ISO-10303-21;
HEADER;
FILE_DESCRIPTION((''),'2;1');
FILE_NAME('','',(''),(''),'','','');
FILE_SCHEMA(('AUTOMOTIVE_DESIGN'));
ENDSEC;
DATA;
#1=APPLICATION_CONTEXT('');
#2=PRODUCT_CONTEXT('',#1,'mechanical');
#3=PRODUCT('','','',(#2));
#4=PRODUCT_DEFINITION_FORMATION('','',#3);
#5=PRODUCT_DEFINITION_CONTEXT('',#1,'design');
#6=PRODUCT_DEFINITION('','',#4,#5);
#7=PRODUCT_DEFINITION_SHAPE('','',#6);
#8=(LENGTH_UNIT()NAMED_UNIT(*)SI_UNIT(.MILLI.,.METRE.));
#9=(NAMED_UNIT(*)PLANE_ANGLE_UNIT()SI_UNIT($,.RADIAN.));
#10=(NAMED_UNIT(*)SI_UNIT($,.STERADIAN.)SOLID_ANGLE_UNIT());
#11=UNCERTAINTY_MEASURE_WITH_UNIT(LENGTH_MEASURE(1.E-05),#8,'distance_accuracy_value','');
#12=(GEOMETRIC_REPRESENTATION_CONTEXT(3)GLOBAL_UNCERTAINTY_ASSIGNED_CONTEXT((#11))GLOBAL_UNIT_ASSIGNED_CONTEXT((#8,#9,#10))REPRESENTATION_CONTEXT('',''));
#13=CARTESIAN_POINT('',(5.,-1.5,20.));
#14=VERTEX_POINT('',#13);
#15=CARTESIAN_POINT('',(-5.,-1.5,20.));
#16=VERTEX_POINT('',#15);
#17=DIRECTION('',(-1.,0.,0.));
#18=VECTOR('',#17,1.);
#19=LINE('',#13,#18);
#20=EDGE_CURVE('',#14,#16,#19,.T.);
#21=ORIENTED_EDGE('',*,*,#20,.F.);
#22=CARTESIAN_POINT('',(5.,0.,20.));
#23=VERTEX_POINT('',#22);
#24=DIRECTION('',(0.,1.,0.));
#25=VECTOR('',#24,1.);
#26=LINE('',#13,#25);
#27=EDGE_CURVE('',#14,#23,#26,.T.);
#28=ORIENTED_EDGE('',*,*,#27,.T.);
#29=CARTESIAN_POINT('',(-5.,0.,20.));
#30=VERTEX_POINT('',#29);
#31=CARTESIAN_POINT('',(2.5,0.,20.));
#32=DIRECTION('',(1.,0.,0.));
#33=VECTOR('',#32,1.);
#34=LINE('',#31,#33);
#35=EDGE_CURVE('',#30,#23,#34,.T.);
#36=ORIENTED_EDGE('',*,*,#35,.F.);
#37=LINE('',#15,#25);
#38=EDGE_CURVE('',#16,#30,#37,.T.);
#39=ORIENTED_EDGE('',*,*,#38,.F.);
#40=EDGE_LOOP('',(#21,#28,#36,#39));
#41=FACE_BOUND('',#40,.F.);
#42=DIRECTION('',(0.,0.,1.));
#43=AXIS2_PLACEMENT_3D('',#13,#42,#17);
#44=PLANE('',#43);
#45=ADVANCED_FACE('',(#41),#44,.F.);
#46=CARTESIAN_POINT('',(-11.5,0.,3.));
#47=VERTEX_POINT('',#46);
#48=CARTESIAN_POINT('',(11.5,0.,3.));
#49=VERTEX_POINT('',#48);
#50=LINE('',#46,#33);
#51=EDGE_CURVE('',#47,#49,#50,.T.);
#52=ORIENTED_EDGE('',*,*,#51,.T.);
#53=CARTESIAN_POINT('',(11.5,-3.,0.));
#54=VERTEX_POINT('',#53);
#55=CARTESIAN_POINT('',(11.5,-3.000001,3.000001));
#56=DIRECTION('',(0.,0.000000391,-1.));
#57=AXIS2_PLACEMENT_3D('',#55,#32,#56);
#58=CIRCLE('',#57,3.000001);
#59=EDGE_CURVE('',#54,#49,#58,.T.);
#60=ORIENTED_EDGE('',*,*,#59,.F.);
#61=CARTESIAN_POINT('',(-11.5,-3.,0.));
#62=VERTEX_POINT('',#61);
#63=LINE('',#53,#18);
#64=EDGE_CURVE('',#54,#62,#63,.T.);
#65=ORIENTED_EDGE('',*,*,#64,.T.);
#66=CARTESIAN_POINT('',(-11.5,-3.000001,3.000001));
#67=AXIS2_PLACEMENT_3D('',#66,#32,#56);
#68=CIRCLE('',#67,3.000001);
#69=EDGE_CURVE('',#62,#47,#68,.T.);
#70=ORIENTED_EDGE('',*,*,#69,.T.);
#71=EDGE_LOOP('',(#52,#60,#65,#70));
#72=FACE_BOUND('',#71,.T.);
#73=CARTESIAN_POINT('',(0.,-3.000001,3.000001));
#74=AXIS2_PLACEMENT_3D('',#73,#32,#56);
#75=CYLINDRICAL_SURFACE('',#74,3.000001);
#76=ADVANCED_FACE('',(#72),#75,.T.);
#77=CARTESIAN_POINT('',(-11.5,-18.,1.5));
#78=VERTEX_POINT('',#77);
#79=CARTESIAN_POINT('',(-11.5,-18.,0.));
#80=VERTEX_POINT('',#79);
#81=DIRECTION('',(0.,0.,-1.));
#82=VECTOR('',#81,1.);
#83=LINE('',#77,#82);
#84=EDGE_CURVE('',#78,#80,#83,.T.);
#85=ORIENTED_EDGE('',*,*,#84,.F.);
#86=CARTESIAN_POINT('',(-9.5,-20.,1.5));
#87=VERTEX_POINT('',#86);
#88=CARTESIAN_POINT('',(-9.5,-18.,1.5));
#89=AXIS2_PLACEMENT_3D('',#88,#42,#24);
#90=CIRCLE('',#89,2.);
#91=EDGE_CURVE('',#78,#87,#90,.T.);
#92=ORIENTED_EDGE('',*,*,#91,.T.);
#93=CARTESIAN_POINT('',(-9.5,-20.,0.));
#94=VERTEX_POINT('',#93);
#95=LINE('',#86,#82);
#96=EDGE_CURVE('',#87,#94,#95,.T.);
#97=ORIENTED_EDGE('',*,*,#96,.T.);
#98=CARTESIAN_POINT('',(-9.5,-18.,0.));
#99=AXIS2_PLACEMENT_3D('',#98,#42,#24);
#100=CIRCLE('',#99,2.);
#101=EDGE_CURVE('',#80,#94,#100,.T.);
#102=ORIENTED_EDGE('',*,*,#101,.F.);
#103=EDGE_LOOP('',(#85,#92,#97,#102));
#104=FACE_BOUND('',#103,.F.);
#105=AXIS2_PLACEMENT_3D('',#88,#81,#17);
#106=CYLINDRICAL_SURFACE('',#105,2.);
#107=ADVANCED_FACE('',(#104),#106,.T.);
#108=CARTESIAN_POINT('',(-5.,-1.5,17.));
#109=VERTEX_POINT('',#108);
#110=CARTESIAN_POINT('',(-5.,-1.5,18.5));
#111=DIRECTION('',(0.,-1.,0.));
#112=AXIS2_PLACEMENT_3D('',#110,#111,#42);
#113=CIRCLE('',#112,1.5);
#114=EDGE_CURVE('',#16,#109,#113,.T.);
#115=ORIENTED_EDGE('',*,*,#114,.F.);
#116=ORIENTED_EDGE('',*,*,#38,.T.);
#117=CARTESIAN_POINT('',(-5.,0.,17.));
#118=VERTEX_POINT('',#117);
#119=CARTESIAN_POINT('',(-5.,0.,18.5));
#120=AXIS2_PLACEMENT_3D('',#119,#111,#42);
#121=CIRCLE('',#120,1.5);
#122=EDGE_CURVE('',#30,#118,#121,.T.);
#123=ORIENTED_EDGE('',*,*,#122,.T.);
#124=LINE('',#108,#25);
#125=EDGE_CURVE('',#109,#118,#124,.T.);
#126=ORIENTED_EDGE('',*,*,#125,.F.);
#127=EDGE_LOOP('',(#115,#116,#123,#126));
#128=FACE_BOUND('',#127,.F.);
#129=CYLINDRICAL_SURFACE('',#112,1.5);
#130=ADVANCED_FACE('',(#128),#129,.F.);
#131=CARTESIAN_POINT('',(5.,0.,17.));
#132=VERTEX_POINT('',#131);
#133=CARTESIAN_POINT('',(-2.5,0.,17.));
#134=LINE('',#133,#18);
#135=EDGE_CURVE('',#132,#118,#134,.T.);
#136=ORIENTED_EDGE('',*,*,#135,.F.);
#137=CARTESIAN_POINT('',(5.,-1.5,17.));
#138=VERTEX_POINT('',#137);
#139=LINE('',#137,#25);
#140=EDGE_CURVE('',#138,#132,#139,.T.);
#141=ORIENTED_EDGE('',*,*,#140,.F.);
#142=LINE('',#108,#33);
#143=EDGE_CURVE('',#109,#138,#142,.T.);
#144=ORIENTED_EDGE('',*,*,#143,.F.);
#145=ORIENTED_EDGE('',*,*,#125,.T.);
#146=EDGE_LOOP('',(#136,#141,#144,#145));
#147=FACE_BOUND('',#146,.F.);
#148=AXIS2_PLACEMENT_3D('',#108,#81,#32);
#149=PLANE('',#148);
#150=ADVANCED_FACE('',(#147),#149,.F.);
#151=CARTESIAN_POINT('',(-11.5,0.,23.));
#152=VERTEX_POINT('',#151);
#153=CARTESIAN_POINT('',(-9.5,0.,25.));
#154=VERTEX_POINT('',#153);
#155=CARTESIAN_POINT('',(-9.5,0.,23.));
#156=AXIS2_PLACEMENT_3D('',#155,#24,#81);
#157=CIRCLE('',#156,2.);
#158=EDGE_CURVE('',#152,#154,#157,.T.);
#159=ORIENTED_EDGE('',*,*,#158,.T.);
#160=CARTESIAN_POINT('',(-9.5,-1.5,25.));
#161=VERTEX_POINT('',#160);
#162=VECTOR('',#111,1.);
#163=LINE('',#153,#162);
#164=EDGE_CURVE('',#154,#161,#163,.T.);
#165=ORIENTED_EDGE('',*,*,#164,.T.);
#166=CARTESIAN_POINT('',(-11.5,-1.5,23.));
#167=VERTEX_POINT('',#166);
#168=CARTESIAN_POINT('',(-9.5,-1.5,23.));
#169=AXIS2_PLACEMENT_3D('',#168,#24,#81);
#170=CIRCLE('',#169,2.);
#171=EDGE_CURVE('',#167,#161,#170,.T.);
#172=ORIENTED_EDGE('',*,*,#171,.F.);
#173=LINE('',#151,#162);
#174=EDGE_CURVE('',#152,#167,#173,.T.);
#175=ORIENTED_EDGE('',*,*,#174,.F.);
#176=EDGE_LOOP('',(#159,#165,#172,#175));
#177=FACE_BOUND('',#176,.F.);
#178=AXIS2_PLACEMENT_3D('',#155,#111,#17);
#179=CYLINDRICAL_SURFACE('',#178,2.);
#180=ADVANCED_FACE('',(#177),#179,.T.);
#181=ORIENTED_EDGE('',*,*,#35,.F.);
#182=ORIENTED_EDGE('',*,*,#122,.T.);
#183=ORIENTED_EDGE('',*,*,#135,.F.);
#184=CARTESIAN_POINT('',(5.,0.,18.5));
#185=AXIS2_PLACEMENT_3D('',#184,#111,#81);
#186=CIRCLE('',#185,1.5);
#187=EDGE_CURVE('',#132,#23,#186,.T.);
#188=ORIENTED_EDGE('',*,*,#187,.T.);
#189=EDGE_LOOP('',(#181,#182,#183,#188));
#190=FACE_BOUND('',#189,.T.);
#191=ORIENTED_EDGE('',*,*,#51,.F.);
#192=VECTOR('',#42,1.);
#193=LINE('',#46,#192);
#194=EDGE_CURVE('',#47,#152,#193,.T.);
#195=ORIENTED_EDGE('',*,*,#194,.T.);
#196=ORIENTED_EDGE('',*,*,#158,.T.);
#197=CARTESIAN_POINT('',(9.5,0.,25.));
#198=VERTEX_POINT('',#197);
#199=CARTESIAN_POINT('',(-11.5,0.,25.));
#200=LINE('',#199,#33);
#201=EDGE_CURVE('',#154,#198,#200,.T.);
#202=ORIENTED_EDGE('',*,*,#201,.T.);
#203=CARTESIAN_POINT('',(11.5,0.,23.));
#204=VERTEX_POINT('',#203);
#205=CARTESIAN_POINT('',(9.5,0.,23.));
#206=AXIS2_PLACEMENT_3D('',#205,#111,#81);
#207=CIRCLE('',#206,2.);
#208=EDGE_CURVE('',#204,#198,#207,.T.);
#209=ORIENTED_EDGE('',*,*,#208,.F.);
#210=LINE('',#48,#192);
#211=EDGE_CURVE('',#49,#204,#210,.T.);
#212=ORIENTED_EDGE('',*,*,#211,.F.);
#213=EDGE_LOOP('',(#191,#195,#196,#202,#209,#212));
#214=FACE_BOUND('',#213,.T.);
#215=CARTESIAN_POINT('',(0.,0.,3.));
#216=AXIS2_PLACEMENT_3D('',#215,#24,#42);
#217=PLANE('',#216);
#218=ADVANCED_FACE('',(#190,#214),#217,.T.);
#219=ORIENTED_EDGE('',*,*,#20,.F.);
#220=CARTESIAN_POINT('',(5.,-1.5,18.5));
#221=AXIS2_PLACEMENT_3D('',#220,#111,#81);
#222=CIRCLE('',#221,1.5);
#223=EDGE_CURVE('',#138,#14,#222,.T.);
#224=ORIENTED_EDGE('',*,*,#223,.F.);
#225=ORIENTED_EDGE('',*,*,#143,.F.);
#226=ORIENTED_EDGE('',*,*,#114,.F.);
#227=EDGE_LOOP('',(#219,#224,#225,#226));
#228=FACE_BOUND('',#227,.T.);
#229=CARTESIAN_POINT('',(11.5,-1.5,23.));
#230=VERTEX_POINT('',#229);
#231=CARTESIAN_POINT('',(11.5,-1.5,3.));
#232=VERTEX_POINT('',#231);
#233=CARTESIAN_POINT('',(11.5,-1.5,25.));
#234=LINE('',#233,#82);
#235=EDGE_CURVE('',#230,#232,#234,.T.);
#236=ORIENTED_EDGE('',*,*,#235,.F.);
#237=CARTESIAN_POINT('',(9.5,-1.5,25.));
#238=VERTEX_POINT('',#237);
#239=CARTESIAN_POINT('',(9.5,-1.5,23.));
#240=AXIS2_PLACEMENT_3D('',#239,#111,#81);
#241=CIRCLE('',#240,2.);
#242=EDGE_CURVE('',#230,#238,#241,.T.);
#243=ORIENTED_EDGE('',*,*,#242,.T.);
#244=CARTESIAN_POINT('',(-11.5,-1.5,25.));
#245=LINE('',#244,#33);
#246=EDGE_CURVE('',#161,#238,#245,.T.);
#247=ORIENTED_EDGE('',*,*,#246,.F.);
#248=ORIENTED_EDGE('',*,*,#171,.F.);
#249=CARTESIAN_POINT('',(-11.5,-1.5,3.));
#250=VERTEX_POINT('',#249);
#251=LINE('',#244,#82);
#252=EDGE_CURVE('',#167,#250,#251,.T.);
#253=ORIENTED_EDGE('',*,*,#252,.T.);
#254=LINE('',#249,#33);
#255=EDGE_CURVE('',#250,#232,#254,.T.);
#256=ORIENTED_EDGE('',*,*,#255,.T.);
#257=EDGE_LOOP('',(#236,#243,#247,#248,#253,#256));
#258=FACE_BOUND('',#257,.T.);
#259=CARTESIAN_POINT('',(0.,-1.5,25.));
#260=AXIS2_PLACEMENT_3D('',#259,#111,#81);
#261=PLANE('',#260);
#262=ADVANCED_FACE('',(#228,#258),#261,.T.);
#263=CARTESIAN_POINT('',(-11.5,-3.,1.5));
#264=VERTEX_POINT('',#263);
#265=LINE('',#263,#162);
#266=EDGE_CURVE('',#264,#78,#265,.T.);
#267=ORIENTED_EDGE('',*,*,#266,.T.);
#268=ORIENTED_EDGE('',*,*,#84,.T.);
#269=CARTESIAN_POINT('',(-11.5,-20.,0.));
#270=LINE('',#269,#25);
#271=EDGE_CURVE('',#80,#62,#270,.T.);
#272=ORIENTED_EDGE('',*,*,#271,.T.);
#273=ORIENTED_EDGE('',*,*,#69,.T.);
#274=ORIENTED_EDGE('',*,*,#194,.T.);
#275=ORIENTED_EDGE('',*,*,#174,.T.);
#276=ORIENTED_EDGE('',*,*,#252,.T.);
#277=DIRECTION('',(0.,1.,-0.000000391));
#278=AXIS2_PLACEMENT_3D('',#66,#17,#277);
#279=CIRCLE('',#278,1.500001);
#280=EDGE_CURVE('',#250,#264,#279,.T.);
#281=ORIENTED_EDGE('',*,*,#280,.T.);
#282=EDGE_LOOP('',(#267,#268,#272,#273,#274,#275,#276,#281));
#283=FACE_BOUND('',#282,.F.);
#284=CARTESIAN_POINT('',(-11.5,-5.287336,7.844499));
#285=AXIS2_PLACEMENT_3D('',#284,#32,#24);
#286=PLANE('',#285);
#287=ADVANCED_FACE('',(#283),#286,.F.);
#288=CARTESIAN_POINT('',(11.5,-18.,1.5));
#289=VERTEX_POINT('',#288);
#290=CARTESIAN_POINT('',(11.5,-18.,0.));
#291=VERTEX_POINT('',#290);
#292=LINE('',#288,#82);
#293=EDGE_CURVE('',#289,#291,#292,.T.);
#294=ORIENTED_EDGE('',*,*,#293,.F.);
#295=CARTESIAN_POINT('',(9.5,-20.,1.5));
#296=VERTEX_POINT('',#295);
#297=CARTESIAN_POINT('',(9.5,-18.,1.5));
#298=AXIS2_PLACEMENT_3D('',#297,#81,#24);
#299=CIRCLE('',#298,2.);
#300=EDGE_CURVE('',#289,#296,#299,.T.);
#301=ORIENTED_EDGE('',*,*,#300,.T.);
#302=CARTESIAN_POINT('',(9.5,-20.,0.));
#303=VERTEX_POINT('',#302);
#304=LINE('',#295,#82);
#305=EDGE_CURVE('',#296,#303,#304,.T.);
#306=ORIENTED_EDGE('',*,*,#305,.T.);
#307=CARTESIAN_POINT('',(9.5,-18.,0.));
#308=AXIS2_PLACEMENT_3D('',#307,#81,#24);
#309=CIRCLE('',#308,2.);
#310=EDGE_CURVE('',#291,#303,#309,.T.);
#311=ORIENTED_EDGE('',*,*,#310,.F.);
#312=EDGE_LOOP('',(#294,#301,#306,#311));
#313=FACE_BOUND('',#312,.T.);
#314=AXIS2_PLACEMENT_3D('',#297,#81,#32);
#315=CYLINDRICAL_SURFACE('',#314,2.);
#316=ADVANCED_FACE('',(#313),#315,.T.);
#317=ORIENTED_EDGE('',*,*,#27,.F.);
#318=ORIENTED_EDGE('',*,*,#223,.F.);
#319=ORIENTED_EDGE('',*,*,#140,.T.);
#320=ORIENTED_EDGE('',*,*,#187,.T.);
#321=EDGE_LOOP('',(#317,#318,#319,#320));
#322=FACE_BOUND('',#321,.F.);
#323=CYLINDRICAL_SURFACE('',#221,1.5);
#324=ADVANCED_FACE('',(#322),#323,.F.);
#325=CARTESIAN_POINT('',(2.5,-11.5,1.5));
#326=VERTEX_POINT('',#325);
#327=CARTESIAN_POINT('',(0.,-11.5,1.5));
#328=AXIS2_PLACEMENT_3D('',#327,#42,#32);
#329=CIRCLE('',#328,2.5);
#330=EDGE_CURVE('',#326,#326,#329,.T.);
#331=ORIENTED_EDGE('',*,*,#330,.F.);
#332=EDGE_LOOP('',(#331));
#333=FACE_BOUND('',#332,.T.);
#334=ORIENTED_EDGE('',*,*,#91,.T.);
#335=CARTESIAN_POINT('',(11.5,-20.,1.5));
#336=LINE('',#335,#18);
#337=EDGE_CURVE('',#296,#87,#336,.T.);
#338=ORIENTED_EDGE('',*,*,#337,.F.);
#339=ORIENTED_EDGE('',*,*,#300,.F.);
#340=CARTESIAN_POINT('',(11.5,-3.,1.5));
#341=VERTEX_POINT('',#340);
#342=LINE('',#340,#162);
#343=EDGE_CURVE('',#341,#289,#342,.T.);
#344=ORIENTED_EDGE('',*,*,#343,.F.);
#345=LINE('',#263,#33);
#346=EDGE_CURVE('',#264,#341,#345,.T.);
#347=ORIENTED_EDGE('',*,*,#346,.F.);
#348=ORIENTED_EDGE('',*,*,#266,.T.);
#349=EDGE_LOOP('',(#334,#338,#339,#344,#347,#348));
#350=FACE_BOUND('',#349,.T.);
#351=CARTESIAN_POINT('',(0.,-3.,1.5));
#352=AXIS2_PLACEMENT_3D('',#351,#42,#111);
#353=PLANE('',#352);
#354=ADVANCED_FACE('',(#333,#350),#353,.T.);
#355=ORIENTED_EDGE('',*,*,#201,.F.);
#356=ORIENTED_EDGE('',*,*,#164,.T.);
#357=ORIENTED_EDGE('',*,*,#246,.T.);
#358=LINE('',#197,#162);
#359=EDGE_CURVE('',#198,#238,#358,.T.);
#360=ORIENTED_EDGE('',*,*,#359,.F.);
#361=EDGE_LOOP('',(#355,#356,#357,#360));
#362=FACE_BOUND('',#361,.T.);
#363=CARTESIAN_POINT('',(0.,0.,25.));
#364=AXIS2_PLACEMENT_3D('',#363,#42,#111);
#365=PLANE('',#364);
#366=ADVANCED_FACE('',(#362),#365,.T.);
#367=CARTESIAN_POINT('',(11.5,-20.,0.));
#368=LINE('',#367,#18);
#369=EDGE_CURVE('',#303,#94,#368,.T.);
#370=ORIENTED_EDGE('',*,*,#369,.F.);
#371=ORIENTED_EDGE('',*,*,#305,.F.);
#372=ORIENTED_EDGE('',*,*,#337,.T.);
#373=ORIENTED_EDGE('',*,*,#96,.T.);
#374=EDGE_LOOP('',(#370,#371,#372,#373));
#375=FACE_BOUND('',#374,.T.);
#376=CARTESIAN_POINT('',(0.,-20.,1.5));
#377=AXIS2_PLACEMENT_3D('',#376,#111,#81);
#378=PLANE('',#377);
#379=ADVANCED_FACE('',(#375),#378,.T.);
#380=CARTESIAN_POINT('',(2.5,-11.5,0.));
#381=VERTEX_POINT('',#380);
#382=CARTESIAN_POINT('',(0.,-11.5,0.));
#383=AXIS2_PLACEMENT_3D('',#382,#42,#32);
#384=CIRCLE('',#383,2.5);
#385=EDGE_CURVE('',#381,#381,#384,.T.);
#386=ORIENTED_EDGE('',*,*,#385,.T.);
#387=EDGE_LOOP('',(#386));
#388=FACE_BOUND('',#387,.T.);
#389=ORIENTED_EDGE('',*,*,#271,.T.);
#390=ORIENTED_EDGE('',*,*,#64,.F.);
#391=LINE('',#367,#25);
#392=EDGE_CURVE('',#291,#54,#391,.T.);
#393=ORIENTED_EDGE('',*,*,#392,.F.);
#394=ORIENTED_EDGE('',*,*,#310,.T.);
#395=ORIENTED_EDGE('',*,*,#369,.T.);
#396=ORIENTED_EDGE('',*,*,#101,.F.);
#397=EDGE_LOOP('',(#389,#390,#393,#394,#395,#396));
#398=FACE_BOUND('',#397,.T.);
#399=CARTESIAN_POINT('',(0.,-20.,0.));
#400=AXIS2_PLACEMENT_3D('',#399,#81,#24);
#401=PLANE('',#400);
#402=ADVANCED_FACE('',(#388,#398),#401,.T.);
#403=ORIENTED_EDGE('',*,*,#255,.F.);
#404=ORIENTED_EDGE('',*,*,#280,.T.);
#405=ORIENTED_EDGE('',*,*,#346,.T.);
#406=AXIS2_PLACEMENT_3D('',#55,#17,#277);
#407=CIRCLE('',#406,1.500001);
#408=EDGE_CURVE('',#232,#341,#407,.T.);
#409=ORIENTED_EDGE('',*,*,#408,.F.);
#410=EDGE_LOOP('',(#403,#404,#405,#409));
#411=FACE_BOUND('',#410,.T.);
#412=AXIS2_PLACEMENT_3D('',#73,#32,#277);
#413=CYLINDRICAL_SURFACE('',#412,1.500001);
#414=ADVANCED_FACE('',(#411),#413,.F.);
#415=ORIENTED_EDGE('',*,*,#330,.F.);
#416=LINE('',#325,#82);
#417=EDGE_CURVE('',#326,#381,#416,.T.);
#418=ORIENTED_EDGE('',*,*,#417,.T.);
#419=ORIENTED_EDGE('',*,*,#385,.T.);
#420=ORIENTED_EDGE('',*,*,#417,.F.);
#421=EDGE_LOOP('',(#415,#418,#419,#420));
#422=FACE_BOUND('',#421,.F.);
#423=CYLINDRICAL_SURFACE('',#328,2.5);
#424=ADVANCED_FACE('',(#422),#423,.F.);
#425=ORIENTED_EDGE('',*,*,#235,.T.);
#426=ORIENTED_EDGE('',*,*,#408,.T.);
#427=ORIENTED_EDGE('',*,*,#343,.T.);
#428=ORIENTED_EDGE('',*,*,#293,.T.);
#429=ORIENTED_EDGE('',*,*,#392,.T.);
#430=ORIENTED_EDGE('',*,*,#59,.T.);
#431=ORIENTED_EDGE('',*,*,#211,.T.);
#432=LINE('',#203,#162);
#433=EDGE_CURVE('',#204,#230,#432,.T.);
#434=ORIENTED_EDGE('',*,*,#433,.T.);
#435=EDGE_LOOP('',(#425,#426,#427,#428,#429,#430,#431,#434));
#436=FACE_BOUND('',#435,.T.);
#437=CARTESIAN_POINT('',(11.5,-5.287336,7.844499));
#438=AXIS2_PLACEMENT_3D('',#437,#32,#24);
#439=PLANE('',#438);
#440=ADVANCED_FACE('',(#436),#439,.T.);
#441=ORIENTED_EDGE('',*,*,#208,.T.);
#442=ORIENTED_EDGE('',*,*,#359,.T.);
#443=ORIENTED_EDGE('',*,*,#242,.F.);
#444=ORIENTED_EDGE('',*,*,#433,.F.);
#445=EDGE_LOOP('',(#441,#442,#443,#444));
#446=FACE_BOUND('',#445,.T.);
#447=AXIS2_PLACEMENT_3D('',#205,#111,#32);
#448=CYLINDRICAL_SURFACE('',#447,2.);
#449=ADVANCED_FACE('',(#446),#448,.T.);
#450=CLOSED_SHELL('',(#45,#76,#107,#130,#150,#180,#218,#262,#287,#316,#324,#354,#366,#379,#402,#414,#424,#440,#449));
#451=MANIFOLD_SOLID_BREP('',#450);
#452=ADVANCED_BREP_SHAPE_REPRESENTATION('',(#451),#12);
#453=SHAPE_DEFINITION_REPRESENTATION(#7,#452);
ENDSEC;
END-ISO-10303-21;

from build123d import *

# Parameters (mm, degrees)
F1_DEPTH = 11.5
F2_R     = 2.5
F3_DEPTH = 25
F5_DEPTH = 25
F6_R     = 2


with BuildPart() as f1:
    # F0 (on Right) → F1 (new body, symmetric)
    with BuildSketch(Plane.YZ):
        with BuildLine():
            ThreePointArc((-3, 0), (-0.87868, 0.87868), (0, 3))
            Line((0, 3), (0, 25))
            Line((0, 25), (-1.5, 25))
            Line((-1.5, 25), (-1.5, 3))
            ThreePointArc((-1.5, 3), (-1.93934, 1.93934), (-3, 1.5))
            Line((-3, 1.5), (-20, 1.5))
            Line((-20, 1.5), (-20, 0))
            Line((-20, 0), (-3, 0))
        make_face()
    extrude(amount=F1_DEPTH, both=True)

    # F2 (on face) → F3 (cut)
    with BuildSketch(Plane.XY.offset(1.5)):
        with Locations((0, -11.5)):
            Circle(F2_R)
    extrude(amount=-F3_DEPTH, mode=Mode.SUBTRACT)

    # F4 (on face) → F5 (cut)
    with BuildSketch(Plane.XZ.offset(1.5)):
        with BuildLine():
            Line((5, 20), (-5, 20))
            ThreePointArc((-5, 20), (-6.5, 18.5), (-5, 17))
            Line((-5, 17), (5, 17))
            ThreePointArc((5, 17), (6.5, 18.5), (5, 20))
        make_face()
    extrude(amount=-F5_DEPTH, mode=Mode.SUBTRACT)

    # F6
    f6_edges = [f1.edges().sort_by_distance(p)[0] for p in [
        (11.5, -0.75, 25),
        (-11.5, -0.75, 25),
        (11.5, -20, 0.75),
        (-11.5, -20, 0.75),
    ]]
    fillet(f6_edges, radius=F6_R)


solid = f1.part
